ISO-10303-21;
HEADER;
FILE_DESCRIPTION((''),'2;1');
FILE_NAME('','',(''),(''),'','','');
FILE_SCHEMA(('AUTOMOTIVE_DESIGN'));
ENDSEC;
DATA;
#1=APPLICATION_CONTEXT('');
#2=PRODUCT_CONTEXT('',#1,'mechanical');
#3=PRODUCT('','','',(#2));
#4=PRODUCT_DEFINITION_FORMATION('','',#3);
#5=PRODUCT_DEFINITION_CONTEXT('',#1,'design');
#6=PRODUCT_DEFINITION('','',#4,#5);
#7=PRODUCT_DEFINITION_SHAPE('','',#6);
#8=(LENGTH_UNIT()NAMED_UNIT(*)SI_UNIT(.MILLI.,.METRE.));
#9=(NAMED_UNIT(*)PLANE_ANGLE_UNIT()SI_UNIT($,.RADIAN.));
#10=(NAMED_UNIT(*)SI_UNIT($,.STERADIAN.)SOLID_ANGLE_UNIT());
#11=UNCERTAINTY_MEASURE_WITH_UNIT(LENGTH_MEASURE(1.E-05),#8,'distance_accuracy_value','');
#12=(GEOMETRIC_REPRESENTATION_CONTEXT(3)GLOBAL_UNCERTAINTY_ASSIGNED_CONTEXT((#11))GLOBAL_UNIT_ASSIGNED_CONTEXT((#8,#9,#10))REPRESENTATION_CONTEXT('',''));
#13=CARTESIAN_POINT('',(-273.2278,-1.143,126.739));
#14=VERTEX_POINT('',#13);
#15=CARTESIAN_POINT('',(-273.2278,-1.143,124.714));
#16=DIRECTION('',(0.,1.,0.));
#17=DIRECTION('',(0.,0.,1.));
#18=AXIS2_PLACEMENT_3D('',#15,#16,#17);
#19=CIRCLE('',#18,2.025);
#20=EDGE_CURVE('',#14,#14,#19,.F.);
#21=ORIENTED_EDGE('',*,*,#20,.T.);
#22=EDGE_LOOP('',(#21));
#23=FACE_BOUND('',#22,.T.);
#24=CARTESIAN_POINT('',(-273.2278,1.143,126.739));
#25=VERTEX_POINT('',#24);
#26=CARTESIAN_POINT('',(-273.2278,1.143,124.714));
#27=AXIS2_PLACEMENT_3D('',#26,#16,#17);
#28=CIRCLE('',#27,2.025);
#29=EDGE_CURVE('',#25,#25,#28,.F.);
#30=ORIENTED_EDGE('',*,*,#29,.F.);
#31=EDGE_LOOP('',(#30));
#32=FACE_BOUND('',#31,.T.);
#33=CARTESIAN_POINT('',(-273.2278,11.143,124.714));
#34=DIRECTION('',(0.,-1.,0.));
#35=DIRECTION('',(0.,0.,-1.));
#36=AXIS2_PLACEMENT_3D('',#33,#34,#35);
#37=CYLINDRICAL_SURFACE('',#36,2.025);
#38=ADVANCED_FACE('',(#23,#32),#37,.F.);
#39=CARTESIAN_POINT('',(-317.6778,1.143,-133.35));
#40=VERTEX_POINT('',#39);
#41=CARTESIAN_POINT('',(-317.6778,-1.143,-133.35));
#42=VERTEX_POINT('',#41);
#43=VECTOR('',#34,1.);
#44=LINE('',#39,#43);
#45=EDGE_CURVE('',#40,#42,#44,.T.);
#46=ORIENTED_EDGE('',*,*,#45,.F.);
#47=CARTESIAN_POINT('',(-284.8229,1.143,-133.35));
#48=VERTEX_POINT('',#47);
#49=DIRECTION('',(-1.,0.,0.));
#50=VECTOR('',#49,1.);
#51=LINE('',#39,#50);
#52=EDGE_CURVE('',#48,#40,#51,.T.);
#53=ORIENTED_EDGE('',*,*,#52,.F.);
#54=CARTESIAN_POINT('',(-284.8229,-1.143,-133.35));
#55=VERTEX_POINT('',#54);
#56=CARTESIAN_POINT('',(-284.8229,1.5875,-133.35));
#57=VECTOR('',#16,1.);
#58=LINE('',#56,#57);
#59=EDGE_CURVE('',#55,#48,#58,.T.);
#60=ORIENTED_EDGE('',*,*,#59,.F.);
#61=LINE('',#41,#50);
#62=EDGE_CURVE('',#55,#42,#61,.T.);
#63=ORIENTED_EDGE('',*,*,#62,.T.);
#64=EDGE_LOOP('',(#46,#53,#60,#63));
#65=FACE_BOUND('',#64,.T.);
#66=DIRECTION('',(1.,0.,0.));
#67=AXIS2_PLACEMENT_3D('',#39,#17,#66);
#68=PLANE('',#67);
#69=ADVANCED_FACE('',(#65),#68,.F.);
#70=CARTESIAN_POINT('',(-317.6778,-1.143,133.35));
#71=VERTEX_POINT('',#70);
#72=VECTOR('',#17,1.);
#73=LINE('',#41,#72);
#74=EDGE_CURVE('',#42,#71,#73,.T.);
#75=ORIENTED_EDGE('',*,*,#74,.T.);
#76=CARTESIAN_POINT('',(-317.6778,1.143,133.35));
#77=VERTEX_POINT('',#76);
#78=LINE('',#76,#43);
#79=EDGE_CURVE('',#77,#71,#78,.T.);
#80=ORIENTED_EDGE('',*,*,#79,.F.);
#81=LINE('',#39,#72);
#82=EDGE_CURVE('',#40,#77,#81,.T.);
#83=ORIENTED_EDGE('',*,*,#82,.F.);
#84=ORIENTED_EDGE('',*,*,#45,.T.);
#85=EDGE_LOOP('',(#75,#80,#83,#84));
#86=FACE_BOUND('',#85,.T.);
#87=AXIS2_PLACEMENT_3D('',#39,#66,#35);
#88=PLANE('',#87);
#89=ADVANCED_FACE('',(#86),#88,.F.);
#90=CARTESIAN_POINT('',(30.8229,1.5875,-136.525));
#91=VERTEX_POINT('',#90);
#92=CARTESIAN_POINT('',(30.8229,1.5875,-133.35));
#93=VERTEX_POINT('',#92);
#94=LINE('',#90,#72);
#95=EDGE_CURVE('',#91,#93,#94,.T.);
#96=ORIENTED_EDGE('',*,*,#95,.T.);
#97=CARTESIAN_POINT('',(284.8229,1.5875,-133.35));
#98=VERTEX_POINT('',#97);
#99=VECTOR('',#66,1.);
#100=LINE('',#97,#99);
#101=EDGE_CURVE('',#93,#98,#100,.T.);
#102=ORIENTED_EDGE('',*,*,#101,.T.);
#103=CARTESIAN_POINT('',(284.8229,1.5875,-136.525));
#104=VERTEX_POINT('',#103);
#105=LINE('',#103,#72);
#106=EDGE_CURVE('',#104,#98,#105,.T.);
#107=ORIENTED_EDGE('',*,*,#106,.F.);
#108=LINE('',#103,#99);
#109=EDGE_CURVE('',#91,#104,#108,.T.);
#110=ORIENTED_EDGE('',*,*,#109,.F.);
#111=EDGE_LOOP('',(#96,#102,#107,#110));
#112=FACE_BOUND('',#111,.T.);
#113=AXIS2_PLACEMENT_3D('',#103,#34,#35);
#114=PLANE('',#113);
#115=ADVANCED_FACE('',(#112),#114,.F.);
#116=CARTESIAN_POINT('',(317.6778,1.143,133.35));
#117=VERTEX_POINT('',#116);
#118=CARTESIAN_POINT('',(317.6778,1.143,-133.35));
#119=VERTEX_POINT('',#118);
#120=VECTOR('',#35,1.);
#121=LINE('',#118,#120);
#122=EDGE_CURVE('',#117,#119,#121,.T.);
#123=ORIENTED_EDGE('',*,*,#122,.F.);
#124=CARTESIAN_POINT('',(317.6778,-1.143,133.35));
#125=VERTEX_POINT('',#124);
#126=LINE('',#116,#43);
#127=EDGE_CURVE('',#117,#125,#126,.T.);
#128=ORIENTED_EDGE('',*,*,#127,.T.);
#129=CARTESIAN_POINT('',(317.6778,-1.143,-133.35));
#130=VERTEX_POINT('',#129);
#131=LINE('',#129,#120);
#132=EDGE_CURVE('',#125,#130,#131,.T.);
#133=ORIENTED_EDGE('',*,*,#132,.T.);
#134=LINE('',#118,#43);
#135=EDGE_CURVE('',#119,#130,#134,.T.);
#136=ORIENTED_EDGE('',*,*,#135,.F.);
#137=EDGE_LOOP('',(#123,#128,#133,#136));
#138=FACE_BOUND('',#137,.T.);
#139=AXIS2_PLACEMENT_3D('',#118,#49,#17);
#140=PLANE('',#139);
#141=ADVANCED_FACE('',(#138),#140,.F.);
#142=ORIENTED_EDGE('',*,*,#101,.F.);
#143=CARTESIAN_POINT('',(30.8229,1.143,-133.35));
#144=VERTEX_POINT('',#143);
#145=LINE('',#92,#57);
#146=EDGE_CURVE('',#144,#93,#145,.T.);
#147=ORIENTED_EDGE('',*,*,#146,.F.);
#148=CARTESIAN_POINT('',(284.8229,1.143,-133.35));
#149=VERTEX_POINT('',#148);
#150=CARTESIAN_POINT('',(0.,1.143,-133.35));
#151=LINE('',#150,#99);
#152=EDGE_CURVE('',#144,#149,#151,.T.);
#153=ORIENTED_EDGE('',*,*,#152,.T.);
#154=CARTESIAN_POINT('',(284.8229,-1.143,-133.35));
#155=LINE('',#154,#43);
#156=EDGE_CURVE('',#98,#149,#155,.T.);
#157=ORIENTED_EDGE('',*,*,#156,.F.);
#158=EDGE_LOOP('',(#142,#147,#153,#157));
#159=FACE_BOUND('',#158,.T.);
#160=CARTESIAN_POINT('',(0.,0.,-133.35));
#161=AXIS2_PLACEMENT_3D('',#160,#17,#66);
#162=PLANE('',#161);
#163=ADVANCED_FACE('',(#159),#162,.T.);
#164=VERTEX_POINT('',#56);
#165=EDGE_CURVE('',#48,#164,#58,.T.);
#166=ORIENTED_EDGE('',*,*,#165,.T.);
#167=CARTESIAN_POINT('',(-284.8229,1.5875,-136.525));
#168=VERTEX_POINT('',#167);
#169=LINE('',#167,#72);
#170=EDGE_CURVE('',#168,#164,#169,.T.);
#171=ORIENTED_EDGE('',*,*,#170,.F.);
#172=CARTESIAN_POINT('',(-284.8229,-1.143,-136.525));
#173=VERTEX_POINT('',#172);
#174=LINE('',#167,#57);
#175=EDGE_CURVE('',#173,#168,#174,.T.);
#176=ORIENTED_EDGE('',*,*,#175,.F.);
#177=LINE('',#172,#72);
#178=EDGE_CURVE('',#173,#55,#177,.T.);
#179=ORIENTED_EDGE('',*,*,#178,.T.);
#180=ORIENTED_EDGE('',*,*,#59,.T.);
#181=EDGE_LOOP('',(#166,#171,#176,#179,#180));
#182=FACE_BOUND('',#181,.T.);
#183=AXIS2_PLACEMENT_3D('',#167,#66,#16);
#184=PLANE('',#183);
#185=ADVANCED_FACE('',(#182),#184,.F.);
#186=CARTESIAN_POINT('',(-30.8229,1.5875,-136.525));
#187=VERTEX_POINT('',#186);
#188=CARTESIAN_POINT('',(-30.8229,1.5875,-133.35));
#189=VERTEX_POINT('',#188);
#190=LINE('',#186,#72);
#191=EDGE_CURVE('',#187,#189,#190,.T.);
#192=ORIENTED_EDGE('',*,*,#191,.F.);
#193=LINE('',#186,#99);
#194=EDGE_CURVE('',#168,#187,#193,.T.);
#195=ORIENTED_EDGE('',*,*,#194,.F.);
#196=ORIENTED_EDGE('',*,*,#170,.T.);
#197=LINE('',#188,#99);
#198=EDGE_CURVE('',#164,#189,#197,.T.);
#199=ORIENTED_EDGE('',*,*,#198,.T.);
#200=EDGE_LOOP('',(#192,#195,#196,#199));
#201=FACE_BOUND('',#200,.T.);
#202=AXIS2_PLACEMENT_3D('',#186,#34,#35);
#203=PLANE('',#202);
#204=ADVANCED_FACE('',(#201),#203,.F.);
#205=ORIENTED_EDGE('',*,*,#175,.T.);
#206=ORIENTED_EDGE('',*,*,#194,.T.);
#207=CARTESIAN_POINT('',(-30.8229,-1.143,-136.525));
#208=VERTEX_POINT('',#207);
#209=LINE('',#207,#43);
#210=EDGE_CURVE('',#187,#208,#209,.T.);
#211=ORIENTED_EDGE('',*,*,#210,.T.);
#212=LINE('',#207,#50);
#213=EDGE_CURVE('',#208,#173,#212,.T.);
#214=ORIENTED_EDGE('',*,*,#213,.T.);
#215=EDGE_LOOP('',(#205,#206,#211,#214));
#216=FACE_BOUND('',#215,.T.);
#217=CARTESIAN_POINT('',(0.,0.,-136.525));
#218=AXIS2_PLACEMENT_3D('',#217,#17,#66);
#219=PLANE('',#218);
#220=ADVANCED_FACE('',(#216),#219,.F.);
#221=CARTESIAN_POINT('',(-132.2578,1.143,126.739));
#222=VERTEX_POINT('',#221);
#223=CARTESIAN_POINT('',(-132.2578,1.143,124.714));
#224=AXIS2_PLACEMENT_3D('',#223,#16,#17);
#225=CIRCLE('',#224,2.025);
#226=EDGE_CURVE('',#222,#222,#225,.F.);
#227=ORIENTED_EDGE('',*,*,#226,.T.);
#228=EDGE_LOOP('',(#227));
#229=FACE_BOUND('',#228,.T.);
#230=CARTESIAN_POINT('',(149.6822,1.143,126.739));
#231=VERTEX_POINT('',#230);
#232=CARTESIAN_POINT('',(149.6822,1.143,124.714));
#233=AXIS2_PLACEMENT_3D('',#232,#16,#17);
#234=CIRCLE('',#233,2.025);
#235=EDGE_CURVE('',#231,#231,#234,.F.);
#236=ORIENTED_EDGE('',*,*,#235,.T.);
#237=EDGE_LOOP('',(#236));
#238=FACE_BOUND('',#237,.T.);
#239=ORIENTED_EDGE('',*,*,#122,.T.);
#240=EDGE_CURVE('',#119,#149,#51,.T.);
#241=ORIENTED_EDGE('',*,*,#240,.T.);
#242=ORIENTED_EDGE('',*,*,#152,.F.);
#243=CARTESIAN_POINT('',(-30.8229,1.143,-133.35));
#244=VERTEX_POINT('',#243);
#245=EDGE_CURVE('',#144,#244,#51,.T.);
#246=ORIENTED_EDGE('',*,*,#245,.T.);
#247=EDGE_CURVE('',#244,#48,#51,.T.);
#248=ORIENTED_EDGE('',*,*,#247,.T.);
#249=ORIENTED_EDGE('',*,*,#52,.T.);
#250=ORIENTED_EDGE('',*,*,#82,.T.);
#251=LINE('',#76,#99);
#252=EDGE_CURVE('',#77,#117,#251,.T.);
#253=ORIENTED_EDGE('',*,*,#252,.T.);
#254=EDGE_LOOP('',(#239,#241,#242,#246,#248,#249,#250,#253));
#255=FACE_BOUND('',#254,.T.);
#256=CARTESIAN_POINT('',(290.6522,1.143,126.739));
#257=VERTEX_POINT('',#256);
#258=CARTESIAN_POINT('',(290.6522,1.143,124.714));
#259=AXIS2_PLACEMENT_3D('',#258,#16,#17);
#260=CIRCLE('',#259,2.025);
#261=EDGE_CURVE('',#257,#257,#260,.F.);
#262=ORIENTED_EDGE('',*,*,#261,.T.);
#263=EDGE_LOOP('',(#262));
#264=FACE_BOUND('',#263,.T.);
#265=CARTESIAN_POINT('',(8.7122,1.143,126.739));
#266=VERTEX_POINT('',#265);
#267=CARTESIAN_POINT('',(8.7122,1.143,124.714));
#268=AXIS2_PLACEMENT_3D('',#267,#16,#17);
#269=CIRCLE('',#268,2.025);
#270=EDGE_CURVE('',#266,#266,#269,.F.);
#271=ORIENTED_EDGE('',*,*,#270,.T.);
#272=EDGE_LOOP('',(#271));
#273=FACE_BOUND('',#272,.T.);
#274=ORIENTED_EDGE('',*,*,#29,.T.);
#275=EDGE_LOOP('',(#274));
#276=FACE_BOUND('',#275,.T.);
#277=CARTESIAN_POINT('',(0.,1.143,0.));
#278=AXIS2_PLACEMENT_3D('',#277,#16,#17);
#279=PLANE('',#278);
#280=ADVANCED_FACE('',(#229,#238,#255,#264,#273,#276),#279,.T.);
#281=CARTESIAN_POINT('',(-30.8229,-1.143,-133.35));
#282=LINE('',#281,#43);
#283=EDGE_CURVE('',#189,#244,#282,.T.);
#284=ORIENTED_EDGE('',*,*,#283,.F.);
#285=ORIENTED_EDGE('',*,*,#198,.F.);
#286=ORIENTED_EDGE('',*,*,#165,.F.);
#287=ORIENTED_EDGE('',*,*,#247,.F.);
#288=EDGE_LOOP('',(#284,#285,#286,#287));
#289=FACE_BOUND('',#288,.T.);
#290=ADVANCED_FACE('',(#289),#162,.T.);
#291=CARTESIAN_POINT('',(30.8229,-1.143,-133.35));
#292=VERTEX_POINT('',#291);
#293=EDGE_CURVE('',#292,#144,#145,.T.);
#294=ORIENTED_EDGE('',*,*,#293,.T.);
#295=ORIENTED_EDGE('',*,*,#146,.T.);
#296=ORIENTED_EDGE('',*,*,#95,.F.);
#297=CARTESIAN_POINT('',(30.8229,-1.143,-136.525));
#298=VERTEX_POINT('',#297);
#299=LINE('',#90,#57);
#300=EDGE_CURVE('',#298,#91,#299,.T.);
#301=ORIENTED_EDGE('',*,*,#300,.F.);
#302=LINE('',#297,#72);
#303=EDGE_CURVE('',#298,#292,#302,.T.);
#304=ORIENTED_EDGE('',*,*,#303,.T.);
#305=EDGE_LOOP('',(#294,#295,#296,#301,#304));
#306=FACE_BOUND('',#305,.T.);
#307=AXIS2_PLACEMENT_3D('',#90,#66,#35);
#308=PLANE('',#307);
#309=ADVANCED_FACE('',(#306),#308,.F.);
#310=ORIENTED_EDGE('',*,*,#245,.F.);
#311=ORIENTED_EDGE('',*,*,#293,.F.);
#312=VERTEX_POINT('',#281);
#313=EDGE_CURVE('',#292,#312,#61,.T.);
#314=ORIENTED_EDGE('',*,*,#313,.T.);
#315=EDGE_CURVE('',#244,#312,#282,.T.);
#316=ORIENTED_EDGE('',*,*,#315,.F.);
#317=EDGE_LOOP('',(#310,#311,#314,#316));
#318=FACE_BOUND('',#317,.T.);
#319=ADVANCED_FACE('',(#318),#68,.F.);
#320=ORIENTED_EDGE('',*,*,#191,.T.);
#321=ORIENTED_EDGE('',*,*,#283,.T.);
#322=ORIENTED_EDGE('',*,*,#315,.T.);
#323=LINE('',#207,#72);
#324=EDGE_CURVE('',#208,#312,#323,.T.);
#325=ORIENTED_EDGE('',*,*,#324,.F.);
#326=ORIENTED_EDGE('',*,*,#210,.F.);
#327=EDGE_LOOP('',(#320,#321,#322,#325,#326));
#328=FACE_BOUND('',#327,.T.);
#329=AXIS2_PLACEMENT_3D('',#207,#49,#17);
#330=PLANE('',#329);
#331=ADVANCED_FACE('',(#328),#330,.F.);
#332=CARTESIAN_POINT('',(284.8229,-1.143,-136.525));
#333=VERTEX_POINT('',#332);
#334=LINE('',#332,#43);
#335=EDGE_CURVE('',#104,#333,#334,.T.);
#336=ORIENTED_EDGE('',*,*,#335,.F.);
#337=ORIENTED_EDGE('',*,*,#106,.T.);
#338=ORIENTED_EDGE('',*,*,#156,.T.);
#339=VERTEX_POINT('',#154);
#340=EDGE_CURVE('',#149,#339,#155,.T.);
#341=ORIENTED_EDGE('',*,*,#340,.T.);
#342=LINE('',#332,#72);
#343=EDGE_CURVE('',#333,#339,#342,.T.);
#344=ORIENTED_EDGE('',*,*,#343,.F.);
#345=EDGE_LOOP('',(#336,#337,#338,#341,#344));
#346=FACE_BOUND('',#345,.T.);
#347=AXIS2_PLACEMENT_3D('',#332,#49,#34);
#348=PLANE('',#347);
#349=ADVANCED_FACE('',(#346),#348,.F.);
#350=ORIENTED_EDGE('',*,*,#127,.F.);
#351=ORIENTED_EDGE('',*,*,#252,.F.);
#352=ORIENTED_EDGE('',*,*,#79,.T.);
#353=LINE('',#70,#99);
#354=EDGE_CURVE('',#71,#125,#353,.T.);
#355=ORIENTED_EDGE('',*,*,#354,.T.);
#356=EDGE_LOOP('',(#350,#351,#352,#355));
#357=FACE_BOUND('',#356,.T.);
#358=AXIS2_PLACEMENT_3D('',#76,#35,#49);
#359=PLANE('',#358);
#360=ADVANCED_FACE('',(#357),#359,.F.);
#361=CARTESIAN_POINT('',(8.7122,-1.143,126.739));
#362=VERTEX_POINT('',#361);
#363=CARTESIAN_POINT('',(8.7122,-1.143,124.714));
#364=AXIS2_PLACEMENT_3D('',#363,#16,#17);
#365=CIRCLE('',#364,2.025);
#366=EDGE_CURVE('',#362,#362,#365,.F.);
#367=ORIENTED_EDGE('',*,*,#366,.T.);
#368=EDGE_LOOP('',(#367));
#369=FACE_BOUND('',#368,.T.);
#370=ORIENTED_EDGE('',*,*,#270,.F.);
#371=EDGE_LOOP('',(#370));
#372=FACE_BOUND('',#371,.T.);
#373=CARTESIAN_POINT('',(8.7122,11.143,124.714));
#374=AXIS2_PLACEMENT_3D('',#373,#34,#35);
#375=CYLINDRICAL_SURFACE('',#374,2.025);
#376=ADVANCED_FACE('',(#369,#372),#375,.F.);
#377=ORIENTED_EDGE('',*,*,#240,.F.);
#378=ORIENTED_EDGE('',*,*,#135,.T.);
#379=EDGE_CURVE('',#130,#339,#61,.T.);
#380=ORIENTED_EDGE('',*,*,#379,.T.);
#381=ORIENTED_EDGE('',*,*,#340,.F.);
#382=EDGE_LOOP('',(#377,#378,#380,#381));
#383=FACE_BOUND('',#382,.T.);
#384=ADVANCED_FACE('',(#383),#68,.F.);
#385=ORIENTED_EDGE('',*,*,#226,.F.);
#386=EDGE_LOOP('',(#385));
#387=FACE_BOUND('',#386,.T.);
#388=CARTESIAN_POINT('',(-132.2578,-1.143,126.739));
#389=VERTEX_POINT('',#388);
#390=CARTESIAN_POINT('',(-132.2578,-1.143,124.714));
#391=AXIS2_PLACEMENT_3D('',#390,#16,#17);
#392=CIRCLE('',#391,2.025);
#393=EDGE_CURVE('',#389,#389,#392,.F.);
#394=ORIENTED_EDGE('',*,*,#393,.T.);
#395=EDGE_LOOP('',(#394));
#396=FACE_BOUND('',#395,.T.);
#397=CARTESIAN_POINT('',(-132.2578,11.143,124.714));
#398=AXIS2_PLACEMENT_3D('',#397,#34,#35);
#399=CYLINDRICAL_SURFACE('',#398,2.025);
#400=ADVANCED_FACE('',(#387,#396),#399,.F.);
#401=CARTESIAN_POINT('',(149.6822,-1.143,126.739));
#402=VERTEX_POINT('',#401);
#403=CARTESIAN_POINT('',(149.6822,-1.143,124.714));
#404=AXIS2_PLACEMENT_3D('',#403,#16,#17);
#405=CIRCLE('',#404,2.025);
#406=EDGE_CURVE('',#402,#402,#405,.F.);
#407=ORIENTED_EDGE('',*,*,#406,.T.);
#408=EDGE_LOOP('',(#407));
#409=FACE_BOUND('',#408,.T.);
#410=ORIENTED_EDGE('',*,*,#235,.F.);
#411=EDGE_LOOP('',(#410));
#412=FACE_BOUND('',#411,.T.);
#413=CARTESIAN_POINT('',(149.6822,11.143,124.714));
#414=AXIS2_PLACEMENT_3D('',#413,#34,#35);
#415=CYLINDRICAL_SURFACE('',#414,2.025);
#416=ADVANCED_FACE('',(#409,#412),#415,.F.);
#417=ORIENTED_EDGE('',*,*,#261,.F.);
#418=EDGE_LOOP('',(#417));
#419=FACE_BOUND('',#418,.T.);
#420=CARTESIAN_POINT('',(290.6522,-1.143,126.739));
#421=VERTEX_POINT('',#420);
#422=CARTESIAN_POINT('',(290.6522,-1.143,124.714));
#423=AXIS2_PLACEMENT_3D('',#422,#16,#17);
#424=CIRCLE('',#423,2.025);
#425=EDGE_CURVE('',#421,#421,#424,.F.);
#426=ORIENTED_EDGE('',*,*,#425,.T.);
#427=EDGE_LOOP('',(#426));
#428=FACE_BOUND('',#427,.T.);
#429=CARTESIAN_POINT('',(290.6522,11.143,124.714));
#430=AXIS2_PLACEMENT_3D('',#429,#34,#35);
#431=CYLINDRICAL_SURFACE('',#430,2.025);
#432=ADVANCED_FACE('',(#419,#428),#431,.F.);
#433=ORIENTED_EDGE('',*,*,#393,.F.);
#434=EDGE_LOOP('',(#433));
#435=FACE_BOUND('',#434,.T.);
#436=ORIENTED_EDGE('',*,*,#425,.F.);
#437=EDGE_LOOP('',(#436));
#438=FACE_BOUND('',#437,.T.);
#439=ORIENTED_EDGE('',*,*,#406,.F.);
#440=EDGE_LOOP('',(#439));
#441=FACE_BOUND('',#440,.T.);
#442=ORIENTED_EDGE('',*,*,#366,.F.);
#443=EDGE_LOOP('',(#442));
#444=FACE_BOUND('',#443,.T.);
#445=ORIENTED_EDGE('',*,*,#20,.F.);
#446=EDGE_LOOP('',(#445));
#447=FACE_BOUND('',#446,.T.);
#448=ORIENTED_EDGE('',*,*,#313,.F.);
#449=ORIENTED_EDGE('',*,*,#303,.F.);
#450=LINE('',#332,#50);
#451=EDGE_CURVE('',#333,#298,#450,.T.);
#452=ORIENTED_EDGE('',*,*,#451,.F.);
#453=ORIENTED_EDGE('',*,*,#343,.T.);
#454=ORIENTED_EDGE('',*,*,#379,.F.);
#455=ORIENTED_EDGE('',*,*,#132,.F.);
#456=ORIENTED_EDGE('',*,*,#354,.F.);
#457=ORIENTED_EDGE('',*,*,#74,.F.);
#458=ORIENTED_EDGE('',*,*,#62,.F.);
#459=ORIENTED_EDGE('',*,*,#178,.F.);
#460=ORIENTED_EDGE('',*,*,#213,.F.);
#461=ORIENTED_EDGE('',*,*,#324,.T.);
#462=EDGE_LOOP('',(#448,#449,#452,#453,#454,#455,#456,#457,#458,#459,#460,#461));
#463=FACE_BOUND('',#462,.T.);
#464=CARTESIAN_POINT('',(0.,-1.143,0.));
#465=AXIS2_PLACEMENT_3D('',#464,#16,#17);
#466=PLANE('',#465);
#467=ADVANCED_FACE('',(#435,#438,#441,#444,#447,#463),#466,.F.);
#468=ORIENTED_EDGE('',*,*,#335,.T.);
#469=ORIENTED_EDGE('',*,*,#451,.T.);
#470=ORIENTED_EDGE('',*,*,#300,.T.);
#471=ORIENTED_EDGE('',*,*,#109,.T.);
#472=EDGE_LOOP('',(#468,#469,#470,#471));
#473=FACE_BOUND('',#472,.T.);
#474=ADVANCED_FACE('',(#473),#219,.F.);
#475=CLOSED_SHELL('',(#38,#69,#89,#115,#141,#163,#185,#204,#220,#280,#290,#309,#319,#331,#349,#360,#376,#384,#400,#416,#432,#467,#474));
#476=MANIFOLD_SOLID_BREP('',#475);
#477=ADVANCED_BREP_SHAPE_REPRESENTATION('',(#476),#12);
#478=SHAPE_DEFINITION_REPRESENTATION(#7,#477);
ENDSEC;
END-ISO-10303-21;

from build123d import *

# Parameters (mm, degrees)
SKETCH1_W           = 635.3556
SKETCH1_H           = 266.7
BOSS_EXTRUDE1_DEPTH = 1.143
SKETCH2_W           = 254
SKETCH2_H           = 2.7305
BOSS_EXTRUDE2_DEPTH = 3.175
CUT_EXTRUDE1_DEPTH  = 10
LPATTERN1_COUNT     = 5
LPATTERN1_PITCH     = 140.97


with BuildPart() as part:
    # Sketch1 → Boss-Extrude1 (new, symmetric)
    with BuildSketch(Plane(origin=(0, 0, 0), x_dir=(1, 0, 0), z_dir=(0, 1, 0))):
        Rectangle(SKETCH1_W, SKETCH1_H)
    extrude(amount=BOSS_EXTRUDE1_DEPTH, both=True)

    # Sketch2 → Boss-Extrude2 (add)
    with BuildSketch(Plane(origin=(0, 0, -133.35), x_dir=(-1, 0, 0), z_dir=(0, 0, -1))):
        with Locations((-157.8229, 0.22225)):
            Rectangle(SKETCH2_W, SKETCH2_H)
        with Locations((157.8229, 0.22225)):
            Rectangle(SKETCH2_W, SKETCH2_H)
    extrude(amount=BOSS_EXTRUDE2_DEPTH)

    # Sketch3 → Cut-Extrude1 (cut, symmetric)
    with BuildSketch(Plane(origin=(0, 1.143, 0), x_dir=(1, 0, 0), z_dir=(0, 1, 0))):
        with BuildLine():
            ThreePointArc((-275.2528, -124.714), (-274.659691232, -126.145891232), (-273.2278, -126.739))
            Line((-273.2278, -126.739), (-273.2278, -124.714))
            Line((-273.2278, -124.714), (-275.2528, -124.714))
        make_face()
        with BuildLine():
            Line((-273.2278, -124.714), (-273.2278, -126.739))
            ThreePointArc((-273.2278, -126.739), (-271.795908768, -126.145891232), (-271.2028, -124.714))
            ThreePointArc((-271.2028, -124.714), (-273.2278, -122.689), (-275.2528, -124.714))
            Line((-275.2528, -124.714), (-273.2278, -124.714))
        make_face()
    cut_extrude1 = extrude(amount=CUT_EXTRUDE1_DEPTH, both=True, mode=Mode.SUBTRACT)

    # LPattern1: Cut-Extrude1 ×5
    with Locations(*[(i * LPATTERN1_PITCH, 0, 0) for i in range(1, LPATTERN1_COUNT)]):
        add(cut_extrude1, mode=Mode.SUBTRACT)


solid = part.part
